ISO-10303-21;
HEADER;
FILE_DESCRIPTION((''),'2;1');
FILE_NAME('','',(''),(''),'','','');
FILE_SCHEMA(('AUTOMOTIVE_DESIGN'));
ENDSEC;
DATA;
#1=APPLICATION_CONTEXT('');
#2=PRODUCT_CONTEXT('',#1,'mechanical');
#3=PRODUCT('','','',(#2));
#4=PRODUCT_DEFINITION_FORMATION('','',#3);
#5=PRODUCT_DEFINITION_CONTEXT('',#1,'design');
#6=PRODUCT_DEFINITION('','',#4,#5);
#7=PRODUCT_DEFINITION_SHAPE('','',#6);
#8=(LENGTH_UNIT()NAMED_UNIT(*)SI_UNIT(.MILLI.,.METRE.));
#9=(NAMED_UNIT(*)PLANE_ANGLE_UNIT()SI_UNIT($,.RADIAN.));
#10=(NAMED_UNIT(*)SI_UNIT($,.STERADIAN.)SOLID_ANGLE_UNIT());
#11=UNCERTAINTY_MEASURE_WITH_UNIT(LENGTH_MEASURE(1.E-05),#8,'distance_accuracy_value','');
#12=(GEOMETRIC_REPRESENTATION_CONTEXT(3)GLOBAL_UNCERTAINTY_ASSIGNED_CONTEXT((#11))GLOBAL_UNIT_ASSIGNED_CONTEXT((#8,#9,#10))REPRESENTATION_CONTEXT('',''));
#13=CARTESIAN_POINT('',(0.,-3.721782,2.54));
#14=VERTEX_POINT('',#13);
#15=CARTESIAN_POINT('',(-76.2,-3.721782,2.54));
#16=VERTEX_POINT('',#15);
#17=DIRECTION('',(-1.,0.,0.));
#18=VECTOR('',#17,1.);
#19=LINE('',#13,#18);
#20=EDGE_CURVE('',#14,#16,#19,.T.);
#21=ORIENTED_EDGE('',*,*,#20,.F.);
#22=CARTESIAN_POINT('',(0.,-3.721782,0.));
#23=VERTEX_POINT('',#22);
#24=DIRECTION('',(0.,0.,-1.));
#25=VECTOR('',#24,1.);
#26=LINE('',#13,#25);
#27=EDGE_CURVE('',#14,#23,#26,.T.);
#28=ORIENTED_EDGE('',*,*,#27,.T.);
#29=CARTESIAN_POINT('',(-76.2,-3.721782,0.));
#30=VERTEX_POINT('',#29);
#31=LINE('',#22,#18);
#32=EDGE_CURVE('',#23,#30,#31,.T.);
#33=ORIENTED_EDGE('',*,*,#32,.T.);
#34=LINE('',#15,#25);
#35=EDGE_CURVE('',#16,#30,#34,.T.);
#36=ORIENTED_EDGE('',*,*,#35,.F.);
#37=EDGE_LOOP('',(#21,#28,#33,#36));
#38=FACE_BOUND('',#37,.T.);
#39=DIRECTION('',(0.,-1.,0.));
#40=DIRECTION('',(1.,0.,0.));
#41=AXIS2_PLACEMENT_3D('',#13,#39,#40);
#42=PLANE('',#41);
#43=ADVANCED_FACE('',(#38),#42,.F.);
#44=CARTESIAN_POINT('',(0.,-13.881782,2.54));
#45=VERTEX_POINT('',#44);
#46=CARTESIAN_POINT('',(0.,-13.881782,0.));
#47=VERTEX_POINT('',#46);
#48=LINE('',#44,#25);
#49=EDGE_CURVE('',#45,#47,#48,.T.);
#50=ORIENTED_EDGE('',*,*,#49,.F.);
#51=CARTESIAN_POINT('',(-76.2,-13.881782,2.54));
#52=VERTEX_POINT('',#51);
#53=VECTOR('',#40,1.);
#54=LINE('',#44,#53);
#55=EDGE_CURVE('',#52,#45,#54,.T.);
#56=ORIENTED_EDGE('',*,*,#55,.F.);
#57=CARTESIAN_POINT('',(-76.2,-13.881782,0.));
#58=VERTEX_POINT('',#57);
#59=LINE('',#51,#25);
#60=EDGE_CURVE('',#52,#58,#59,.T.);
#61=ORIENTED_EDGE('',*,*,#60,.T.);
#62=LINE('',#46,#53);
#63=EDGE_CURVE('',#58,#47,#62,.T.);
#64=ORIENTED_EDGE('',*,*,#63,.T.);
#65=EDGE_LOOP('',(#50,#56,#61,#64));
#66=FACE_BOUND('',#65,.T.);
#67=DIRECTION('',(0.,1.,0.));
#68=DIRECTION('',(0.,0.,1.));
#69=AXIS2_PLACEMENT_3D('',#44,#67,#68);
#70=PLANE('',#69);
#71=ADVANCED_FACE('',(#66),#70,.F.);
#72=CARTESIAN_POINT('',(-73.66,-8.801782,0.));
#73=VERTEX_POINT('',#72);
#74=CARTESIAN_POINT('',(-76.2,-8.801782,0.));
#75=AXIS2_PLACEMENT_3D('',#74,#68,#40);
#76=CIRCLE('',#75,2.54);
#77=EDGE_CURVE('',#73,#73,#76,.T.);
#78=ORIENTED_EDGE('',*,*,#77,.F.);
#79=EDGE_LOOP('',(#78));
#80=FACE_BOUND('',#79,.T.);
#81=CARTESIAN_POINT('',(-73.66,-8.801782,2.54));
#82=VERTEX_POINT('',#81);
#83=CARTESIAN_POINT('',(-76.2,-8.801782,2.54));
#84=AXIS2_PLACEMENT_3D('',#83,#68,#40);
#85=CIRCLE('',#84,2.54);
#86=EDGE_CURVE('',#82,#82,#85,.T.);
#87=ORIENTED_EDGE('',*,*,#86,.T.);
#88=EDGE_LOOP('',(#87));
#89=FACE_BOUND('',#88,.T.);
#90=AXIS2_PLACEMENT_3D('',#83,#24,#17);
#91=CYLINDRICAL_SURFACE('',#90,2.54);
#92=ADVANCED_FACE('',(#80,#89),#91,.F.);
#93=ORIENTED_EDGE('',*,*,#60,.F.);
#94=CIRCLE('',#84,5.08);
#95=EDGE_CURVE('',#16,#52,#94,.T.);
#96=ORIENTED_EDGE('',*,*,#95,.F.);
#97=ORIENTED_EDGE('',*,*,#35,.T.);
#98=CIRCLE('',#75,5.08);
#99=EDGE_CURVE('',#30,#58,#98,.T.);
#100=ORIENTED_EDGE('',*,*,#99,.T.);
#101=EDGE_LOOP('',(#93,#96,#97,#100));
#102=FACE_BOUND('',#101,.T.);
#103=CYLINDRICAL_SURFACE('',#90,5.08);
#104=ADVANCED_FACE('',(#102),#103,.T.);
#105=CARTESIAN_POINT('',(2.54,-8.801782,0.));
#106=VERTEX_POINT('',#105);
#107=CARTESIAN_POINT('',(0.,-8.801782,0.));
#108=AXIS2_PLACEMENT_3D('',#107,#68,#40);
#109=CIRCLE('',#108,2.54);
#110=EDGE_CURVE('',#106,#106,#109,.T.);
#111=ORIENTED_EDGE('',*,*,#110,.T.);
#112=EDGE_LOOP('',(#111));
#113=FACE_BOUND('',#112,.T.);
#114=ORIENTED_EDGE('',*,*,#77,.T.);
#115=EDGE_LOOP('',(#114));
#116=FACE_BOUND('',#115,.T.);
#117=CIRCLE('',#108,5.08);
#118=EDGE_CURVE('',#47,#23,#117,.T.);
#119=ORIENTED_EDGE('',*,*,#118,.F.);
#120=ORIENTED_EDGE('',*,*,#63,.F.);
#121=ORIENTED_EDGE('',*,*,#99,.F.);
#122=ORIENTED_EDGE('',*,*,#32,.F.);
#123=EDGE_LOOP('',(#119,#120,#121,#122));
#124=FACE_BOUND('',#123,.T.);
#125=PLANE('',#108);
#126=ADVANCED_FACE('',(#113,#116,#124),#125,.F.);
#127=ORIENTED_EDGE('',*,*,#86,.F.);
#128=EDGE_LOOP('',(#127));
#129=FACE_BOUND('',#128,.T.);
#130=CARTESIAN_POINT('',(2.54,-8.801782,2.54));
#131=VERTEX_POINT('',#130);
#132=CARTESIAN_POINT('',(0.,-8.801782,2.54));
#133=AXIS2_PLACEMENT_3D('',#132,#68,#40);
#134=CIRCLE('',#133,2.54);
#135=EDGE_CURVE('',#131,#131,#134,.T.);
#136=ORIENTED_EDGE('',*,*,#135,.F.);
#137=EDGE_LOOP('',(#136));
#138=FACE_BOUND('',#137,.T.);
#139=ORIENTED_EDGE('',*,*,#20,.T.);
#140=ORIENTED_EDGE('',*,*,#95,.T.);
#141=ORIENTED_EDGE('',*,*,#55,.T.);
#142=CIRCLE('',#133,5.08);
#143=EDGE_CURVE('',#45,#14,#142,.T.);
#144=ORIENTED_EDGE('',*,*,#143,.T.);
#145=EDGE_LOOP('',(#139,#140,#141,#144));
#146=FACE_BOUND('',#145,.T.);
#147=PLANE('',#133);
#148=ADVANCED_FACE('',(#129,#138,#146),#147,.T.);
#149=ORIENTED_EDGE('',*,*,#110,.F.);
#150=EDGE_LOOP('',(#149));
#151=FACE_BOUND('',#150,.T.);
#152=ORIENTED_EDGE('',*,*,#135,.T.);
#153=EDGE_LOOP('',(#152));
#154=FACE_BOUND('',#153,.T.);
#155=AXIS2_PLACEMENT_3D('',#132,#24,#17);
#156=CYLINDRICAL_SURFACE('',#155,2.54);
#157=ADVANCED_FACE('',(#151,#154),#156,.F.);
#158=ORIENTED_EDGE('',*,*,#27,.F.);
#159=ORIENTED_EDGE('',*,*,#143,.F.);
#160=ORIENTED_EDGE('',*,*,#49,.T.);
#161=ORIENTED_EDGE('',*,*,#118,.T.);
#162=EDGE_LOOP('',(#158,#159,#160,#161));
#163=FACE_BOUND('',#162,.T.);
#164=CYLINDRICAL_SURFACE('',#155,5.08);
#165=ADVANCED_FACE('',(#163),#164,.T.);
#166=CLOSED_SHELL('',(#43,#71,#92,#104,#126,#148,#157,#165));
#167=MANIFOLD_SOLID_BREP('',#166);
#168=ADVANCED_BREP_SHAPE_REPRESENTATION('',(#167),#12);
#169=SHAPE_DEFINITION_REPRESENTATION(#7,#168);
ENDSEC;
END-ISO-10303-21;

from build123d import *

# Parameters (mm, degrees)
SKETCH1_R           = 2.54
BOSS_EXTRUDE1_DEPTH = 2.54


with BuildPart() as part:
    # Sketch1 → Boss-Extrude1 (new body)
    with BuildSketch(Plane.XY):
        with BuildLine():
            Line((0, -13.881782438), (-76.2, -13.881782438))
            ThreePointArc((-76.2, -13.881782438), (-81.28, -8.801782438), (-76.2, -3.721782438))
            Line((-76.2, -3.721782438), (0, -3.721782438))
            ThreePointArc((0, -3.721782438), (5.08, -8.801782438), (0, -13.881782438))
        make_face()
        with Locations((-76.2, -8.801782438)):
            Circle(SKETCH1_R, mode=Mode.SUBTRACT)
        with Locations((0, -8.801782438)):
            Circle(SKETCH1_R, mode=Mode.SUBTRACT)
    extrude(amount=BOSS_EXTRUDE1_DEPTH)


solid = part.part
